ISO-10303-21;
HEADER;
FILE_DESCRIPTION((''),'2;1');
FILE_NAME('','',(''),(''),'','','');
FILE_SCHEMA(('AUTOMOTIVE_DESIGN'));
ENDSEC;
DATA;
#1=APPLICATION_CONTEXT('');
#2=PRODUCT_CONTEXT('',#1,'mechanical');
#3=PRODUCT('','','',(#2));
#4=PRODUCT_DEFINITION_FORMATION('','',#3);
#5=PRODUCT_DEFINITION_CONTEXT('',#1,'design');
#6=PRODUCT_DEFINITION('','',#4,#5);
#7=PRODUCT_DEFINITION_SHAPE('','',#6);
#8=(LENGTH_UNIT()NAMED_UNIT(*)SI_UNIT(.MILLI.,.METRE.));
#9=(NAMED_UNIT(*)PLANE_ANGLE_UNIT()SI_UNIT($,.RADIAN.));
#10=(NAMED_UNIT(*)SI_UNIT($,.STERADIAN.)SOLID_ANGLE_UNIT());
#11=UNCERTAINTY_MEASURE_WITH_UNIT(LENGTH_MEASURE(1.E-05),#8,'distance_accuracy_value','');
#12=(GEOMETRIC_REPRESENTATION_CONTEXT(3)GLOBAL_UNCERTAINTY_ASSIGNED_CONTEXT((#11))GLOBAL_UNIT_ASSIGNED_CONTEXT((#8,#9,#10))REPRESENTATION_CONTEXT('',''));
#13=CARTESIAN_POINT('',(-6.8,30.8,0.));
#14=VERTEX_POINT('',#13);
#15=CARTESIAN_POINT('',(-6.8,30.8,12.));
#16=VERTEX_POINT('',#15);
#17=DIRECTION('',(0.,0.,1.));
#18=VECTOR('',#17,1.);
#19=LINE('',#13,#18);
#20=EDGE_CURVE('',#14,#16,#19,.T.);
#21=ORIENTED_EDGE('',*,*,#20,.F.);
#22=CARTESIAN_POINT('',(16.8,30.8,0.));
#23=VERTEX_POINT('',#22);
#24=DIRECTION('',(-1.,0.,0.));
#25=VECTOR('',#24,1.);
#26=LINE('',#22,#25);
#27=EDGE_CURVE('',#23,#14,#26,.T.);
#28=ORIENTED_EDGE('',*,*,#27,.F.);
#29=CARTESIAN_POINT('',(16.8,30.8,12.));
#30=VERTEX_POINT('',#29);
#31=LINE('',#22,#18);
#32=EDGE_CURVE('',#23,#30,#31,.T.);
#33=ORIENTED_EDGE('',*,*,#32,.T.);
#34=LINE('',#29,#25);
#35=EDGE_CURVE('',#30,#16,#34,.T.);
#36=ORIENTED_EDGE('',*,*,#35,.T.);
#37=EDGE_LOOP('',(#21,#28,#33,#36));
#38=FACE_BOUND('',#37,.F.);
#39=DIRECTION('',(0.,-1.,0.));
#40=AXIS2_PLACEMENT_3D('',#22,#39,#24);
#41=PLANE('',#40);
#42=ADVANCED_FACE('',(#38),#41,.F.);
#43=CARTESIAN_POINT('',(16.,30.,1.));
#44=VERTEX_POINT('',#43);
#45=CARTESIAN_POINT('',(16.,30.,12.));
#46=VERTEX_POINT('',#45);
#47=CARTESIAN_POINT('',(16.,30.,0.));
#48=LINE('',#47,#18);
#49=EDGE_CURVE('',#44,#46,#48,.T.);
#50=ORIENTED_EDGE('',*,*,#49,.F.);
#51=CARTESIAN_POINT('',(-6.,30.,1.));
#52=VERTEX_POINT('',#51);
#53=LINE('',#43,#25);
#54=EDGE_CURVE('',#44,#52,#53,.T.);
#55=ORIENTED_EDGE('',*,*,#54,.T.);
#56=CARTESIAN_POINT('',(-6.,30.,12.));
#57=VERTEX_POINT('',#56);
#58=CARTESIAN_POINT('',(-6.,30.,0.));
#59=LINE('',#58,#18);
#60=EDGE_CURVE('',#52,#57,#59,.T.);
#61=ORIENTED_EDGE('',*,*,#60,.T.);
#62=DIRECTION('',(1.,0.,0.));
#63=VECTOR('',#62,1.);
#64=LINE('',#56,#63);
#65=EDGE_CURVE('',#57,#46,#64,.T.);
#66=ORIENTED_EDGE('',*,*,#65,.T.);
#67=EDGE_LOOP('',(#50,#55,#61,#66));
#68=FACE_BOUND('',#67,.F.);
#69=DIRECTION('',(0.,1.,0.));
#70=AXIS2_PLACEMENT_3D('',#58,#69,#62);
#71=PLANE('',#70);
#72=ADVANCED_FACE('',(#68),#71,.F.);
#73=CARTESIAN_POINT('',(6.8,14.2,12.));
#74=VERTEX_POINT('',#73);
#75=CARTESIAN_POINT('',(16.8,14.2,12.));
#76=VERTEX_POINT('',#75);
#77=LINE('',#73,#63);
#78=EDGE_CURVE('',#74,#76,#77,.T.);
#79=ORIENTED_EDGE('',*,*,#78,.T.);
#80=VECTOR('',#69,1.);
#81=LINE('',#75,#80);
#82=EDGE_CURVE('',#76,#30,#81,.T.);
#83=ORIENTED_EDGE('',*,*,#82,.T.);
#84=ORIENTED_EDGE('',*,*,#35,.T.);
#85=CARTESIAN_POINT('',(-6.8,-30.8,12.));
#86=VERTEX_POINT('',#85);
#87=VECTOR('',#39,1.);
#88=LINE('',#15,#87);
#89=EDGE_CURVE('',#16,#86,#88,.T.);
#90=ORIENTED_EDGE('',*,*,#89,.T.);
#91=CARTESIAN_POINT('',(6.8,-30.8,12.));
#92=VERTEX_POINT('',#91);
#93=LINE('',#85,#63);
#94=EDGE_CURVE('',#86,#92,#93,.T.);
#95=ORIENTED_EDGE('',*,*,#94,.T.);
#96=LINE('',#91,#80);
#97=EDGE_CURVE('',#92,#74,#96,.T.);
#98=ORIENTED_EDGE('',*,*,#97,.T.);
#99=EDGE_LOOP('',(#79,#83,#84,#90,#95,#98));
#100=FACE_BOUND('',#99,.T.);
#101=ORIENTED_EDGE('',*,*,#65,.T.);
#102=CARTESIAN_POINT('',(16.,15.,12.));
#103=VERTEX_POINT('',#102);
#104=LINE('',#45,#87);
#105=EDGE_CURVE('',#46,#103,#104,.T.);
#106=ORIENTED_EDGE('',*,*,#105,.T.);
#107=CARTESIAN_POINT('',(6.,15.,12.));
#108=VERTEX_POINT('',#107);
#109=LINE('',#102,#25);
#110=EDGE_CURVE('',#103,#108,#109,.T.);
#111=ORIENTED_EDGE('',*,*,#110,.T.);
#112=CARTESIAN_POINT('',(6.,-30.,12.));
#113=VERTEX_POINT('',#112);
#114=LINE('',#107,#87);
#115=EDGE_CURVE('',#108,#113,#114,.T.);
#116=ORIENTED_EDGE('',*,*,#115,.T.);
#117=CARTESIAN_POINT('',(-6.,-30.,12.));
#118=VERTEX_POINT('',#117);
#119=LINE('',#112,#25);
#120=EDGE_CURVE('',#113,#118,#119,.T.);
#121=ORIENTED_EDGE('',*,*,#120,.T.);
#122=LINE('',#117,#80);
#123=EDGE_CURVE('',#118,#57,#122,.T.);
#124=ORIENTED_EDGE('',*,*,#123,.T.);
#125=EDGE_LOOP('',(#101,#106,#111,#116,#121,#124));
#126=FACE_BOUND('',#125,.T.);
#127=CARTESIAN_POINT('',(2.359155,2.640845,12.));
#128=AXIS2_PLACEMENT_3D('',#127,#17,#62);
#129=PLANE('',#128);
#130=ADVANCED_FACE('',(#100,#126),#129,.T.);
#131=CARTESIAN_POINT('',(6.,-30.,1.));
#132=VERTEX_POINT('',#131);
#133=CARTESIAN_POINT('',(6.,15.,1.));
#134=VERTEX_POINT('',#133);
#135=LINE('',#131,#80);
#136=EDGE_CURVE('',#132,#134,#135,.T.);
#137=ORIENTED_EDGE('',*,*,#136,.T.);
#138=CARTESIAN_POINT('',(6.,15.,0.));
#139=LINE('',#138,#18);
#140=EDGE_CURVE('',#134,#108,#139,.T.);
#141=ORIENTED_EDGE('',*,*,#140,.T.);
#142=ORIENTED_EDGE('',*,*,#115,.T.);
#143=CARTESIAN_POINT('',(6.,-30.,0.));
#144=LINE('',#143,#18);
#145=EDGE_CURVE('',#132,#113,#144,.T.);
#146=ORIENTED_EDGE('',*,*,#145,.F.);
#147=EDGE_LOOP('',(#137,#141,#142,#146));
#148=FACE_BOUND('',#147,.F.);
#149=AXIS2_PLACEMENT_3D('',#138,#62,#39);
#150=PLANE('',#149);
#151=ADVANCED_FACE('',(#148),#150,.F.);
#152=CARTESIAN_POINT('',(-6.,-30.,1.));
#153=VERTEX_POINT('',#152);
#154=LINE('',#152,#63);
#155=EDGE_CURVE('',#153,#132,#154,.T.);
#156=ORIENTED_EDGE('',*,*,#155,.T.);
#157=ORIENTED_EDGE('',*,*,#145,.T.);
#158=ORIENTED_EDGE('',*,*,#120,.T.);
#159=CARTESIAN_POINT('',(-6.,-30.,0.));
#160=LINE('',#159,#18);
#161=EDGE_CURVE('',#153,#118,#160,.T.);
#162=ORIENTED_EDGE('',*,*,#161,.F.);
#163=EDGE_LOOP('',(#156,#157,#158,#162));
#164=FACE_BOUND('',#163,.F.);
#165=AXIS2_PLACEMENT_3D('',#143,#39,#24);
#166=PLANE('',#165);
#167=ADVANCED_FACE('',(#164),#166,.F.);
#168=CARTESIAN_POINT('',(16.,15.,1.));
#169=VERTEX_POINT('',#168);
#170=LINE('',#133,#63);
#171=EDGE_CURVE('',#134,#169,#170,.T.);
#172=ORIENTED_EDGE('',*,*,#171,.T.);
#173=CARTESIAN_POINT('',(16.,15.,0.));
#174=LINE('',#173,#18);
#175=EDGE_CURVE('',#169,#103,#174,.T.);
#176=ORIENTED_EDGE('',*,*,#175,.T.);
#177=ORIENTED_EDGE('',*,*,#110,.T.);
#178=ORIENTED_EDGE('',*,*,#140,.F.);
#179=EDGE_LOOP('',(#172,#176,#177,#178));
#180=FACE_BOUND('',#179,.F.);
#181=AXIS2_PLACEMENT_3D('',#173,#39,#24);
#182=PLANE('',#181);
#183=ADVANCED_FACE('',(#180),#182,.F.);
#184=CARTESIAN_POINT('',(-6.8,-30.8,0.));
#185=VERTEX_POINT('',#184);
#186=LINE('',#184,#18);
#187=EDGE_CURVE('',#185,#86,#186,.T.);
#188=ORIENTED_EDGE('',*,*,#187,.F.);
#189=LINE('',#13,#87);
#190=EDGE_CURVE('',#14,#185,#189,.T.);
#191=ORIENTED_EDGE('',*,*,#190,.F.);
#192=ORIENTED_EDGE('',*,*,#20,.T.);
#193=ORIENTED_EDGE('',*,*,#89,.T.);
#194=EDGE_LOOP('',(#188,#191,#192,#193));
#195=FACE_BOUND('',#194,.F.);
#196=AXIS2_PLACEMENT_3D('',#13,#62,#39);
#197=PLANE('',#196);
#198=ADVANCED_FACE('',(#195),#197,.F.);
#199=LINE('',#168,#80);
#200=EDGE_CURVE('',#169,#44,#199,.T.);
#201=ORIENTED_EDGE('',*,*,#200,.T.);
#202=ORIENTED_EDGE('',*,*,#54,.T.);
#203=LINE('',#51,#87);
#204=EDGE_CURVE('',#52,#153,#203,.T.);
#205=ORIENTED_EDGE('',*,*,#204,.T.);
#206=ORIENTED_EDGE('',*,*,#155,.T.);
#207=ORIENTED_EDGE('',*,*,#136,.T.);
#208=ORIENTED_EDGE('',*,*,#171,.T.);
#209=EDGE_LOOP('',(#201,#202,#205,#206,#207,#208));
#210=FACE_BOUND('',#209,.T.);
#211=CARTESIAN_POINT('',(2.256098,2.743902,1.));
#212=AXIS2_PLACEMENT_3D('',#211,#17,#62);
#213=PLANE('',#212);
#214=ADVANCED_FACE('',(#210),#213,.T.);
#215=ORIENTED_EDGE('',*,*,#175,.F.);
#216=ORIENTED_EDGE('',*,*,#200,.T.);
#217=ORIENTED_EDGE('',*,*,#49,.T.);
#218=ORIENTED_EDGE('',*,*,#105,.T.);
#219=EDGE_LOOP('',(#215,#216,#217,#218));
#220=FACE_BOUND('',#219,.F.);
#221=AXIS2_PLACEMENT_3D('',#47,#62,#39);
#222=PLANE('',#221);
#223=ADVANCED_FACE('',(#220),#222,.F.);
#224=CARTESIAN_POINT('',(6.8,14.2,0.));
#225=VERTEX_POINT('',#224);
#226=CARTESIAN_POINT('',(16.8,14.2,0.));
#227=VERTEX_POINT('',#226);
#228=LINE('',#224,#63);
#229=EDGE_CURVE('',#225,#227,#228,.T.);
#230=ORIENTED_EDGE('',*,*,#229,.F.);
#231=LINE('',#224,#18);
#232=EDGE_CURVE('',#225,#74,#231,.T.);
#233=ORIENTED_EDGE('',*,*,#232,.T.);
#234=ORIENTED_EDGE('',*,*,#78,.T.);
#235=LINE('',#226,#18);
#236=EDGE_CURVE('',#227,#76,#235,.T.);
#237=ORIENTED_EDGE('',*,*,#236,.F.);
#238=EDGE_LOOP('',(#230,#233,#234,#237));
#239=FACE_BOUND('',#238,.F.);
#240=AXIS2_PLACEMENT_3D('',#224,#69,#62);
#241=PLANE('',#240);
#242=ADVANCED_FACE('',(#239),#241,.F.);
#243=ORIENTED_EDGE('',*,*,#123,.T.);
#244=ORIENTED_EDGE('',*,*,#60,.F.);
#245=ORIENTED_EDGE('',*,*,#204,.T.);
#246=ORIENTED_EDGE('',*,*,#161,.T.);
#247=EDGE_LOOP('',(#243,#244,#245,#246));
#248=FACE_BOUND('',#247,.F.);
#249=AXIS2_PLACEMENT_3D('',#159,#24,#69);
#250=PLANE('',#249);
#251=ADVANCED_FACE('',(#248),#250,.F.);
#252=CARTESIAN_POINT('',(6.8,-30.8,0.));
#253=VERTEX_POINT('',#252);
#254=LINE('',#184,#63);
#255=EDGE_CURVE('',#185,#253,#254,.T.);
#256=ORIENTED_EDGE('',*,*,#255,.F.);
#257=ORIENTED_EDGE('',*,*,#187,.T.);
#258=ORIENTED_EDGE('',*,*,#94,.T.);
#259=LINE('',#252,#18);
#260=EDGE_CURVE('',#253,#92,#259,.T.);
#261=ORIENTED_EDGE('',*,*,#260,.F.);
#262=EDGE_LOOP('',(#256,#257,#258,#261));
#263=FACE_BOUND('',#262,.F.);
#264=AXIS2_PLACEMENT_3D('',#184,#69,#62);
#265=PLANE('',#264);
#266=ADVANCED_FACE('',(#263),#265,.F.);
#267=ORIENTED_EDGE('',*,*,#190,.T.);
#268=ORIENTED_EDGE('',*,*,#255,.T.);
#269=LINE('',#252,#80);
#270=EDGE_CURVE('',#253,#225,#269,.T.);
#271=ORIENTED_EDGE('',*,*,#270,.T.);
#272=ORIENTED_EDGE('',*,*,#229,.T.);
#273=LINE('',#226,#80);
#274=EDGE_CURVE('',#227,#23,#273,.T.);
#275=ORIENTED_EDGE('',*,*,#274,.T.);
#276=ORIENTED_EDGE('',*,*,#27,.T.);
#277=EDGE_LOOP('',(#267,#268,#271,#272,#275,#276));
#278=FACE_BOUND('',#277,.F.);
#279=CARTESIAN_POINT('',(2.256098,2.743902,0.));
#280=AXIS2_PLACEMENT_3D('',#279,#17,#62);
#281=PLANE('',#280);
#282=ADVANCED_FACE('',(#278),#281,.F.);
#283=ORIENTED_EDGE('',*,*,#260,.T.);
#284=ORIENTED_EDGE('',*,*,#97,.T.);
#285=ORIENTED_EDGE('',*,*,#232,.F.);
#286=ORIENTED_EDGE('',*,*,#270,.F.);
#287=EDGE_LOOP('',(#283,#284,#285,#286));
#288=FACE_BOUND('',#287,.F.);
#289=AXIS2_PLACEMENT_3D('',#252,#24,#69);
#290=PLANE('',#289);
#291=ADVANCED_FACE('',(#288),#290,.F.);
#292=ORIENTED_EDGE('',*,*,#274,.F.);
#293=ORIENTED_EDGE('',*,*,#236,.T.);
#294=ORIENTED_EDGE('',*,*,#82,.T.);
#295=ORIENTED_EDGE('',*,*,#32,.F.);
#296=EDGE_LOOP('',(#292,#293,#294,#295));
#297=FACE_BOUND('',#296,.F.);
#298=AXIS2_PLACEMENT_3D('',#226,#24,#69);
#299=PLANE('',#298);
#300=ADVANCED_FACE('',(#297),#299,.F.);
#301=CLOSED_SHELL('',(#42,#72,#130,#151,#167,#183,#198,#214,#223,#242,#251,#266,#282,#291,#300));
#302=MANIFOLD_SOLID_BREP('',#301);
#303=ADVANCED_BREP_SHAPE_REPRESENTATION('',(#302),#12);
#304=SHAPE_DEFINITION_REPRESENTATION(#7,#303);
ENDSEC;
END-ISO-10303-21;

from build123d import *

# Parameters (mm, degrees)
F1_DEPTH = 12
F2_DEPTH = 1


with BuildPart() as f1:
    # F0 (on Top) → F1 (new body)
    with BuildSketch(Plane.XY):
        Polygon((-6.8, -30.8), (6.8, -30.8), (6.8, 14.2), (16.8, 14.2), (16.8, 30.8), (6.8, 30.8), (-6.8, 30.8), align=None)
        Polygon((6, -30), (-6, -30), (-6, 30), (6, 30), (16, 30), (16, 15), (6, 15), align=None, mode=Mode.SUBTRACT)
    extrude(amount=F1_DEPTH)

    # F0 (on Top) → F2 (join)
    with BuildSketch(Plane.XY):
        Polygon((-6, 30), (-6, -30), (6, -30), (6, 15), (16, 15), (16, 30), (6, 30), align=None)
    extrude(amount=F2_DEPTH)


solid = f1.part
